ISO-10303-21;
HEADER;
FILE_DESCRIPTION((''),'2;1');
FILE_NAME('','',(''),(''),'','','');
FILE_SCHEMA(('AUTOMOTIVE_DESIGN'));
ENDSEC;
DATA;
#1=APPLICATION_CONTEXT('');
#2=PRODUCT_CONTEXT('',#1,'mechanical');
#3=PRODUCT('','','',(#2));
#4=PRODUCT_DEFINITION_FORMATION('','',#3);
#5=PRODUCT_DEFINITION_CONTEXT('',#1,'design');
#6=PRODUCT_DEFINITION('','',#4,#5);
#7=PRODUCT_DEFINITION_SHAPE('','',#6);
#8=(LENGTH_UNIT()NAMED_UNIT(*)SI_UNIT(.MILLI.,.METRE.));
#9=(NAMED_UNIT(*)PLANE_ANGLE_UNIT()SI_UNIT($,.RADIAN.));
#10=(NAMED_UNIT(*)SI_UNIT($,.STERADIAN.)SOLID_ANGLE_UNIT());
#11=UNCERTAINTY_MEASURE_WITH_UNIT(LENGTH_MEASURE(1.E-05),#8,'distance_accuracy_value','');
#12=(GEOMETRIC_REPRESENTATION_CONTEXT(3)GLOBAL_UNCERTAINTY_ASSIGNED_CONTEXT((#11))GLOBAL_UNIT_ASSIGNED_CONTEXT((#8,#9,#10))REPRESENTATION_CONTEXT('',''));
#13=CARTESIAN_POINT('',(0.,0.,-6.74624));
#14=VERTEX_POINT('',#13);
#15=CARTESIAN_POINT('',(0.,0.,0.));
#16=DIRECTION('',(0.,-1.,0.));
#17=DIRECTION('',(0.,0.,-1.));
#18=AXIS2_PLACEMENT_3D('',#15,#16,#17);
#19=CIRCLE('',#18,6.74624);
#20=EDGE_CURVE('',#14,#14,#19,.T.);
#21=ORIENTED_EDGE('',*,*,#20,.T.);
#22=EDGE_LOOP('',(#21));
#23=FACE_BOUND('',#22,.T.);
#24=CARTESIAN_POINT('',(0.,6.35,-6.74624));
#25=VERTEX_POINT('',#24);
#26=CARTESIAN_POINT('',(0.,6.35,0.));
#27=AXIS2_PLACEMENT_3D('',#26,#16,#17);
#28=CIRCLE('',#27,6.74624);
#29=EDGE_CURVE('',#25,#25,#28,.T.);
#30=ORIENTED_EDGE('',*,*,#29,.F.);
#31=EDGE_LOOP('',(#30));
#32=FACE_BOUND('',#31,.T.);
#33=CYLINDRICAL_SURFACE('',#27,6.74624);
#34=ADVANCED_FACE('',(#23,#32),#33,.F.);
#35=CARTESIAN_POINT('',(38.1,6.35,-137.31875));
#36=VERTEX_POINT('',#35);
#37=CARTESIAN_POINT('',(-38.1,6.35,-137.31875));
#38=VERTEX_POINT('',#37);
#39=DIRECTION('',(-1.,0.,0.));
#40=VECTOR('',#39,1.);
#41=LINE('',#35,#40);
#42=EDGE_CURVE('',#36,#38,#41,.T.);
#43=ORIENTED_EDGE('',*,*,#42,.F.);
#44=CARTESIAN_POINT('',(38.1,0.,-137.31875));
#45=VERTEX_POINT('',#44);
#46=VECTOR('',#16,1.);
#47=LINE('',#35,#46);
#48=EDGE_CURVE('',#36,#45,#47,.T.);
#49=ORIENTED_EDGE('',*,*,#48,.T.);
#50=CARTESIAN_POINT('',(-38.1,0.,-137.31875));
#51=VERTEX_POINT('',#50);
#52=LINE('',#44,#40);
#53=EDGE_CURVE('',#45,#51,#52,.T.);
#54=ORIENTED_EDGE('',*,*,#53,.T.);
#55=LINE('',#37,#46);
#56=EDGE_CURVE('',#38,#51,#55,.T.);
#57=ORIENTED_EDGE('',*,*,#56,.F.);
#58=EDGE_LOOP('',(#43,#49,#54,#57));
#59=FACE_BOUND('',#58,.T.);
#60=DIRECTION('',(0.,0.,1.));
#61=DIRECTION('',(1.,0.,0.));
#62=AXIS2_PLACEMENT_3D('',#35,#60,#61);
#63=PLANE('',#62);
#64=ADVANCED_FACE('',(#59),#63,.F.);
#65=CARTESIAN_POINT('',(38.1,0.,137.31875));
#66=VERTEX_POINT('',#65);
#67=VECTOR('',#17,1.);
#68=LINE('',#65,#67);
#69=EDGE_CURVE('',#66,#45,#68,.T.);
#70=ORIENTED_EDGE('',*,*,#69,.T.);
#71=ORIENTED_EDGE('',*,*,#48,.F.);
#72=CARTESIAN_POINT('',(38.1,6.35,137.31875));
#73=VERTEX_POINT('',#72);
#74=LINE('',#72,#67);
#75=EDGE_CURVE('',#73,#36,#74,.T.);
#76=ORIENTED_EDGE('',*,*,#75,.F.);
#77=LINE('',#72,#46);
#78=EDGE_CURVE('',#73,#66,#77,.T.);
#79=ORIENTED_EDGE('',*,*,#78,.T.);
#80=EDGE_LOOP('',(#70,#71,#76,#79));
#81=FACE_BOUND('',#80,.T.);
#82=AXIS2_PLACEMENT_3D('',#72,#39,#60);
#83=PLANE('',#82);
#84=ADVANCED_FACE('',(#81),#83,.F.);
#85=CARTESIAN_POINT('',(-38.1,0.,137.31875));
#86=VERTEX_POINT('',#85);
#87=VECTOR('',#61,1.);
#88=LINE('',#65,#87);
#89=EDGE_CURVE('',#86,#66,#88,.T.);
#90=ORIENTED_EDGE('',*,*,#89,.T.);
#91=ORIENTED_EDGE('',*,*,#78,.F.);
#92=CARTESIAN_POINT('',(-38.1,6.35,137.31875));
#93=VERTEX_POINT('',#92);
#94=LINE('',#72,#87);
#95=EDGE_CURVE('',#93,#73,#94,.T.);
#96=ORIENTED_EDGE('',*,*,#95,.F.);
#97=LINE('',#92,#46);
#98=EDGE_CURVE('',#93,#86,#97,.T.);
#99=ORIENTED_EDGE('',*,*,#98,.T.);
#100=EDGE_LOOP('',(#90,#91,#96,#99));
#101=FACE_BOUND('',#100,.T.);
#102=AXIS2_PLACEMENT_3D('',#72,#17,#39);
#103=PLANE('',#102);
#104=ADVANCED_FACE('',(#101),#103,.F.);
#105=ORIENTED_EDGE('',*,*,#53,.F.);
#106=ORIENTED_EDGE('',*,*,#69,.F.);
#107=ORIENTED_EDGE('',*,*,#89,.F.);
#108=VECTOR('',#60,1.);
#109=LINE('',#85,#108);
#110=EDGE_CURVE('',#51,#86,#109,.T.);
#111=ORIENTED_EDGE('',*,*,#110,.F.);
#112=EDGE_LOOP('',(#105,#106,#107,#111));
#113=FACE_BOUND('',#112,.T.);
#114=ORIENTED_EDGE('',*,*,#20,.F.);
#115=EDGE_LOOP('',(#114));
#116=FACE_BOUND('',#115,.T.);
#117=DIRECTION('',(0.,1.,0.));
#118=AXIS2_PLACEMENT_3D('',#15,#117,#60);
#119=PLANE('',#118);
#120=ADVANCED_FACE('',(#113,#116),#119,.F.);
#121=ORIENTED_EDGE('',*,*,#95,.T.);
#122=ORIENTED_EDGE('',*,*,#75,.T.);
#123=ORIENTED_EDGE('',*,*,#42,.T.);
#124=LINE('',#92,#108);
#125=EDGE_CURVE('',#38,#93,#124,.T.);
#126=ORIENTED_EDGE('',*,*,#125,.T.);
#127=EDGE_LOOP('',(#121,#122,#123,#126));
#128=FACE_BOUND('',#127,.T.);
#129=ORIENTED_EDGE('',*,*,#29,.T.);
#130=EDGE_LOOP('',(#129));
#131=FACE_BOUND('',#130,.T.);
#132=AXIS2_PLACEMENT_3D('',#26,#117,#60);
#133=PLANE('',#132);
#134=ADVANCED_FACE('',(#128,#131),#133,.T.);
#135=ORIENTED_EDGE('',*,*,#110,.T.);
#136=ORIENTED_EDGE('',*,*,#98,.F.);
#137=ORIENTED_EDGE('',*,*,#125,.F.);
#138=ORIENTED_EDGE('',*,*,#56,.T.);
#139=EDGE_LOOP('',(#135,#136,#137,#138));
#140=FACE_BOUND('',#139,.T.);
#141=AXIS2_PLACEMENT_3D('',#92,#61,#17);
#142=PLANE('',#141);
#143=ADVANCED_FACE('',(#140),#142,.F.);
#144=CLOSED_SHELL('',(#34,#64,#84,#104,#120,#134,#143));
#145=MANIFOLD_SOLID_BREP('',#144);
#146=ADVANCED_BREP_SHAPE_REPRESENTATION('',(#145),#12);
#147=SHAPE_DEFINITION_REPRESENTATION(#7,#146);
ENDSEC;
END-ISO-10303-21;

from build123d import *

# Parameters (mm, degrees)
SKETCH1_W           = 76.2
SKETCH1_H           = 274.6375
BOSS_EXTRUDE1_DEPTH = 6.35
SKETCH2_R           = 6.74624
CUT_EXTRUDE1_DEPTH  = 143.647718529


with BuildPart() as part:
    # Sketch1 → Boss-Extrude1 (new body)
    with BuildSketch(Plane(origin=(0, 0, 0), x_dir=(1, 0, 0), z_dir=(0, 1, 0))):
        Rectangle(SKETCH1_W, SKETCH1_H)
    extrude(amount=BOSS_EXTRUDE1_DEPTH)

    # Sketch2 → Cut-Extrude1 (cut, through all)
    with BuildSketch(Plane.XZ):
        with Locations(Location((0, 0, 0), (0, 0, 270))):
            Circle(SKETCH2_R)
    extrude(amount=-CUT_EXTRUDE1_DEPTH, mode=Mode.SUBTRACT)


solid = part.part
